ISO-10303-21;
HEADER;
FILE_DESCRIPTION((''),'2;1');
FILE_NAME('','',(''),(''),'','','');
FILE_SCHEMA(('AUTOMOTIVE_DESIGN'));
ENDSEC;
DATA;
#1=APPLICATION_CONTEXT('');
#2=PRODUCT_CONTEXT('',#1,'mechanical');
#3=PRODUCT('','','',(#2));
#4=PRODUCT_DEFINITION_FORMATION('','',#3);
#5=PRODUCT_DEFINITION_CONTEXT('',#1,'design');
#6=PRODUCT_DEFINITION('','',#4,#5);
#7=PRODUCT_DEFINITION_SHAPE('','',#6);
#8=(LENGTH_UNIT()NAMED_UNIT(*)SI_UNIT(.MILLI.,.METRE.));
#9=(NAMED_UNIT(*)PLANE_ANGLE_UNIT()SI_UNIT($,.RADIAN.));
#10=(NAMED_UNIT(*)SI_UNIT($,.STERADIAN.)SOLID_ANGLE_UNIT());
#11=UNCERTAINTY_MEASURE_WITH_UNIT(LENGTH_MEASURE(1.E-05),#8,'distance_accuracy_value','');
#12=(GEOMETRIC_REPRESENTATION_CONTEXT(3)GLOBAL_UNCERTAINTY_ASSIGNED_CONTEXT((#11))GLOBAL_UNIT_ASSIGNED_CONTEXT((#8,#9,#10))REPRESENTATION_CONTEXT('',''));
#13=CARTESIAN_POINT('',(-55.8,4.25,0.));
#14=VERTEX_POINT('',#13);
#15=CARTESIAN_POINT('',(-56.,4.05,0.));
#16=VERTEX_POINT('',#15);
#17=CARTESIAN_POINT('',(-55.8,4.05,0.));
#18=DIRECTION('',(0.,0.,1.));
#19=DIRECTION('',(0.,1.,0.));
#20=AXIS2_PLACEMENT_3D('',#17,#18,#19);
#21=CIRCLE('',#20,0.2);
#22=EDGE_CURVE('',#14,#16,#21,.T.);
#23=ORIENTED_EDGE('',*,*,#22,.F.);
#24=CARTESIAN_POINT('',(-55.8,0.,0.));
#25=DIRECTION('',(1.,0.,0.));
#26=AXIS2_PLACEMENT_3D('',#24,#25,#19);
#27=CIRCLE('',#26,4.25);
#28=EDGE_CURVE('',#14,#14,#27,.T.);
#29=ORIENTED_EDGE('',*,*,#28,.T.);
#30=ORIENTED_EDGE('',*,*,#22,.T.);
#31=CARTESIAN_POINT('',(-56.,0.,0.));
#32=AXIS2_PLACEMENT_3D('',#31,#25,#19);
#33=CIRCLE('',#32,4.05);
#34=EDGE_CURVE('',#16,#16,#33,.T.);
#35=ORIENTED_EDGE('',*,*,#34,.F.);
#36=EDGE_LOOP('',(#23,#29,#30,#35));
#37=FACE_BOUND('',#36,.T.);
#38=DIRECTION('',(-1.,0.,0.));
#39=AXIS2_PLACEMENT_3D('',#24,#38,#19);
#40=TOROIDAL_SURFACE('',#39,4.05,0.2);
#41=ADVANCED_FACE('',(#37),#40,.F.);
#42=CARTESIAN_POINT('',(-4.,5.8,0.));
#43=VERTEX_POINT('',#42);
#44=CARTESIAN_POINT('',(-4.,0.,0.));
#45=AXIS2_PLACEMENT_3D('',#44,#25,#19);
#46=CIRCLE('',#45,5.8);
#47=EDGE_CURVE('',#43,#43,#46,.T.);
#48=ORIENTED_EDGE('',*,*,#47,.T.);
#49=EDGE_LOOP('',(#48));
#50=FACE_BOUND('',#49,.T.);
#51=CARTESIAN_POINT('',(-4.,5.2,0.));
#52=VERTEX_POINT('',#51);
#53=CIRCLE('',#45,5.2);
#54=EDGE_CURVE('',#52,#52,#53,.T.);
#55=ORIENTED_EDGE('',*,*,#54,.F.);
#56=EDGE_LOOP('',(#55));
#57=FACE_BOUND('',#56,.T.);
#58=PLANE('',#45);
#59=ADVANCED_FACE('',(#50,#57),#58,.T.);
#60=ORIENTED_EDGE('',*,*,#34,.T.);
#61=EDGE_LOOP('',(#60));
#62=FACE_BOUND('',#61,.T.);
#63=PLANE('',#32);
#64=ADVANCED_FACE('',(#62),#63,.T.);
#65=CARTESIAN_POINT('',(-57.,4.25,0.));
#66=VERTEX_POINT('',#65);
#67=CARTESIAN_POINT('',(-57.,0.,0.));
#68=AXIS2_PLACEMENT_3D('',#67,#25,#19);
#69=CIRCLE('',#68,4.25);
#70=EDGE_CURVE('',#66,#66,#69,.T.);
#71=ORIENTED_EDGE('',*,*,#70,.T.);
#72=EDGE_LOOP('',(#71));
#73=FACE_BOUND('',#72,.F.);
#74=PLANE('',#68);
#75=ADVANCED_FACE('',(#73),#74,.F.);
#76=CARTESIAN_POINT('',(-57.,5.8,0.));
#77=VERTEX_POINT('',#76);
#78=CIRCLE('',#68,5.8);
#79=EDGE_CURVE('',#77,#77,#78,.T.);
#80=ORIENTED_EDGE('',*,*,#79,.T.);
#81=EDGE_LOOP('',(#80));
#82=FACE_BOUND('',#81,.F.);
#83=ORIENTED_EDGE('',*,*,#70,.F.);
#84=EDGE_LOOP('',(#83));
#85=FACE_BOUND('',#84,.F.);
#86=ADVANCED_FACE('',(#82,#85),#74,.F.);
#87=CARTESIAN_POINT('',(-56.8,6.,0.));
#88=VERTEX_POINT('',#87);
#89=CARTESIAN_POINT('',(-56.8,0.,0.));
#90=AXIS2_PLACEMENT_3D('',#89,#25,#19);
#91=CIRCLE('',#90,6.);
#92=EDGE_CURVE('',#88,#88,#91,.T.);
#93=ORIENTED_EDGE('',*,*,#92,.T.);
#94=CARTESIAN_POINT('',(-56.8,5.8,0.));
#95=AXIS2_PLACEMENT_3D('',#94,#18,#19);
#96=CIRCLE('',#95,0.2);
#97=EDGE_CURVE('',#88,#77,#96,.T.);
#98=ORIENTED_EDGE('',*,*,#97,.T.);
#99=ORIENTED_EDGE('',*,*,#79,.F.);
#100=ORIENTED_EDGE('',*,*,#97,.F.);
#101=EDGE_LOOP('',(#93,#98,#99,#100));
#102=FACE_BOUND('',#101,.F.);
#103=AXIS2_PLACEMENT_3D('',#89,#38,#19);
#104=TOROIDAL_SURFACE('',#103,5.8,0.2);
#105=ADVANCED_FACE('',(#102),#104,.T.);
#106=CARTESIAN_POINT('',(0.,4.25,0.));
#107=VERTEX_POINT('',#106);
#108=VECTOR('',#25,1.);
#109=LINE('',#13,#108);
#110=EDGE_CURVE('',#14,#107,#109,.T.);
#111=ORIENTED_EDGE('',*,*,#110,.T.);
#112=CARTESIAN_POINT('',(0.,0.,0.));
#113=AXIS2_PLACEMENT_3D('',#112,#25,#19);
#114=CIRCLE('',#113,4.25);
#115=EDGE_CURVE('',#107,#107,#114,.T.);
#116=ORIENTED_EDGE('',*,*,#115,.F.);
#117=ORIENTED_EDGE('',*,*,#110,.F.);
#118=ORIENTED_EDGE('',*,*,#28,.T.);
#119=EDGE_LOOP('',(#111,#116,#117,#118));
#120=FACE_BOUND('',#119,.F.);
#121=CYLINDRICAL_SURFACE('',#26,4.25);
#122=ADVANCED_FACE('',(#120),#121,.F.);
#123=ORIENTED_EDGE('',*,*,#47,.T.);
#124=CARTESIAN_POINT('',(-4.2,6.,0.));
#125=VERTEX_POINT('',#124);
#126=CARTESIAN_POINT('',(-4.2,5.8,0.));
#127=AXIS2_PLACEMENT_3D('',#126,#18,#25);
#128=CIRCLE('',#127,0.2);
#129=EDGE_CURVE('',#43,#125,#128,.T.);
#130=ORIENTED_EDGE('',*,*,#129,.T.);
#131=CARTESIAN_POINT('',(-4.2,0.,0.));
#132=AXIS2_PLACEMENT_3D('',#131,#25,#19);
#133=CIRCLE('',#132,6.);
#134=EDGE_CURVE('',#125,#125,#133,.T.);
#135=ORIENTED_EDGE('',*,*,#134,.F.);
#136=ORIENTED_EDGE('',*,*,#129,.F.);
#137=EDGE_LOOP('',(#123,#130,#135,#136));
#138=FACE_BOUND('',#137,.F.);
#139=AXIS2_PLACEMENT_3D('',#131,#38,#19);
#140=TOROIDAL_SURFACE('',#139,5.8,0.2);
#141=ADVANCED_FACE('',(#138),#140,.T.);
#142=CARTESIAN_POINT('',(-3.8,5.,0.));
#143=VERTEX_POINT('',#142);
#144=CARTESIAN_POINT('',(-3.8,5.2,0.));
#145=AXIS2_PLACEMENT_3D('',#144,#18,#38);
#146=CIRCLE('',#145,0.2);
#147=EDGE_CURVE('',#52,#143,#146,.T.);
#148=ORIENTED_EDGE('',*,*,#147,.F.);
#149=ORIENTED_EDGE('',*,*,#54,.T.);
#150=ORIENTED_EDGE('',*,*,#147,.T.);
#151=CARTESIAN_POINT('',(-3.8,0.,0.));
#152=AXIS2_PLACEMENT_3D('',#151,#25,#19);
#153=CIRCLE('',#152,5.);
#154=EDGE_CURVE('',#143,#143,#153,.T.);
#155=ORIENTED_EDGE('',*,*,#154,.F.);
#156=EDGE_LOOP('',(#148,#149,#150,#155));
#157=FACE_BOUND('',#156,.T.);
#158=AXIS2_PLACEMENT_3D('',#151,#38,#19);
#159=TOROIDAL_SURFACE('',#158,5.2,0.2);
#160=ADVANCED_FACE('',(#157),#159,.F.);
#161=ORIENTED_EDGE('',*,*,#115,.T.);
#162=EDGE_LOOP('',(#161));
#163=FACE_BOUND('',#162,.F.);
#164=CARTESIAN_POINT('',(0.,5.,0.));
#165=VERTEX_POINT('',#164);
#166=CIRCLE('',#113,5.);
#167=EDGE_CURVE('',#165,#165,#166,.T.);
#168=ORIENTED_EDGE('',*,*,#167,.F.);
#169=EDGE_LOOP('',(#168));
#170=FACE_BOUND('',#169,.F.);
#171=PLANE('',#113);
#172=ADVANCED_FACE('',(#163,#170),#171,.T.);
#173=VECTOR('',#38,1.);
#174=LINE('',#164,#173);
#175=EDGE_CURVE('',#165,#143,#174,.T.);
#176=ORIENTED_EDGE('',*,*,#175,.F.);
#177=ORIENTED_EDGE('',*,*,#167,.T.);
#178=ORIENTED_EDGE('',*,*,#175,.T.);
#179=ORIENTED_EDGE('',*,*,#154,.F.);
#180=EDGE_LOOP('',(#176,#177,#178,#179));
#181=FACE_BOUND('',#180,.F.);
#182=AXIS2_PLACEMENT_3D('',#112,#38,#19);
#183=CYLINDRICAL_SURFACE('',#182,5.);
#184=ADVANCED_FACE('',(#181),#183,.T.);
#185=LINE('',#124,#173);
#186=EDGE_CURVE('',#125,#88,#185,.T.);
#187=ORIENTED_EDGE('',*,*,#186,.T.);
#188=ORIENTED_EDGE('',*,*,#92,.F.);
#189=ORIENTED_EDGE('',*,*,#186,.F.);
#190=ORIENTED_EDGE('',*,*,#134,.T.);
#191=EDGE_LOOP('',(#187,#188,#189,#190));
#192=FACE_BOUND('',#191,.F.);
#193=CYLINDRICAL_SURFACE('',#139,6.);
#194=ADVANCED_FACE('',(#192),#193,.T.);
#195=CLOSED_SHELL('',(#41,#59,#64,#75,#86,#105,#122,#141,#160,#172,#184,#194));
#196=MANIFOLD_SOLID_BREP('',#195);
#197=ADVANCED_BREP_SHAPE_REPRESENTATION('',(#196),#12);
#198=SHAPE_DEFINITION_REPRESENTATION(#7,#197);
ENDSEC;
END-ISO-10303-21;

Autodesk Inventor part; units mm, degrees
ref_plane "YZ Plane" through (0, 0, 0) normal (1, 0, 0) x (0, 1, 0)
ref_plane "XZ Plane" through (0, 0, 0) normal (0, 1, 0) x (-1, 0, 0)
ref_plane "XY Plane" through (0, 0, 0) normal (0, 0, 1) x (1, 0, 0)
sketch "Skizze1" plane through (0, 0, 0) normal (0, 0, 1) x (1, 0, 0)
  line L0 (0, 5) -> (-3.8, 5)
  line L1 (-55.8, 4.25) -> (0, 4.25)
  line L2 (-4, 5.8) -> (-4, 5.2)
  line L3 (-4.2, 6) -> (-56.8, 6)
  line L4 (-57, 5.8) -> (-57, 4.25)
  line L5 (-68.4497, 0) -> (11.4083, 0) projected
  line L6 (0, -1.2083) -> (0, 7.2497) projected
  line L7 (0, 5) -> (0, 4.25)
  arc A0 (-4, 5.2) -> (-3.8, 5) centre (-3.8, 5.2) ccw
  arc A1 (-56.8, 6) -> (-57, 5.8) centre (-56.8, 5.8) ccw
  line L8 (-57, 4.25) -> (-57, 0)
  line L9 (-57, 0) -> (-56, 0)
  line L10 (-56, 4.05) -> (-56, 0)
  arc A2 (-55.8, 4.25) -> (-56, 4.05) centre (-55.8, 4.05) ccw
  arc A3 (-4, 5.8) -> (-4.2, 6) centre (-4.2, 5.8) ccw
  point P0 (-4, 6)
  dimension "d0" = 8.5
  dimension "d1" = 10
  dimension "d2" = 12
  dimension "d3" = 4
  dimension "d4" = 57
  dimension "d5" = 0.2
  dimension "d9" = 1
  dimension "d10" = 0.2
  dimension "d11" = 0.2
revolve "Umdrehung1" add sketch "Skizze1" angle 360 about axis through (-10, 0, 0) along (1, 0, 0) contours L6 L1 A2 L10 L5 L8 L4 A1 L3 A3 L2 A0 L0
thread "Gewinde1" size "M10x0.5" class "6g" standard "ISO Metric profile" full length
properties part number "YTP-AP-E09-R1.0"
